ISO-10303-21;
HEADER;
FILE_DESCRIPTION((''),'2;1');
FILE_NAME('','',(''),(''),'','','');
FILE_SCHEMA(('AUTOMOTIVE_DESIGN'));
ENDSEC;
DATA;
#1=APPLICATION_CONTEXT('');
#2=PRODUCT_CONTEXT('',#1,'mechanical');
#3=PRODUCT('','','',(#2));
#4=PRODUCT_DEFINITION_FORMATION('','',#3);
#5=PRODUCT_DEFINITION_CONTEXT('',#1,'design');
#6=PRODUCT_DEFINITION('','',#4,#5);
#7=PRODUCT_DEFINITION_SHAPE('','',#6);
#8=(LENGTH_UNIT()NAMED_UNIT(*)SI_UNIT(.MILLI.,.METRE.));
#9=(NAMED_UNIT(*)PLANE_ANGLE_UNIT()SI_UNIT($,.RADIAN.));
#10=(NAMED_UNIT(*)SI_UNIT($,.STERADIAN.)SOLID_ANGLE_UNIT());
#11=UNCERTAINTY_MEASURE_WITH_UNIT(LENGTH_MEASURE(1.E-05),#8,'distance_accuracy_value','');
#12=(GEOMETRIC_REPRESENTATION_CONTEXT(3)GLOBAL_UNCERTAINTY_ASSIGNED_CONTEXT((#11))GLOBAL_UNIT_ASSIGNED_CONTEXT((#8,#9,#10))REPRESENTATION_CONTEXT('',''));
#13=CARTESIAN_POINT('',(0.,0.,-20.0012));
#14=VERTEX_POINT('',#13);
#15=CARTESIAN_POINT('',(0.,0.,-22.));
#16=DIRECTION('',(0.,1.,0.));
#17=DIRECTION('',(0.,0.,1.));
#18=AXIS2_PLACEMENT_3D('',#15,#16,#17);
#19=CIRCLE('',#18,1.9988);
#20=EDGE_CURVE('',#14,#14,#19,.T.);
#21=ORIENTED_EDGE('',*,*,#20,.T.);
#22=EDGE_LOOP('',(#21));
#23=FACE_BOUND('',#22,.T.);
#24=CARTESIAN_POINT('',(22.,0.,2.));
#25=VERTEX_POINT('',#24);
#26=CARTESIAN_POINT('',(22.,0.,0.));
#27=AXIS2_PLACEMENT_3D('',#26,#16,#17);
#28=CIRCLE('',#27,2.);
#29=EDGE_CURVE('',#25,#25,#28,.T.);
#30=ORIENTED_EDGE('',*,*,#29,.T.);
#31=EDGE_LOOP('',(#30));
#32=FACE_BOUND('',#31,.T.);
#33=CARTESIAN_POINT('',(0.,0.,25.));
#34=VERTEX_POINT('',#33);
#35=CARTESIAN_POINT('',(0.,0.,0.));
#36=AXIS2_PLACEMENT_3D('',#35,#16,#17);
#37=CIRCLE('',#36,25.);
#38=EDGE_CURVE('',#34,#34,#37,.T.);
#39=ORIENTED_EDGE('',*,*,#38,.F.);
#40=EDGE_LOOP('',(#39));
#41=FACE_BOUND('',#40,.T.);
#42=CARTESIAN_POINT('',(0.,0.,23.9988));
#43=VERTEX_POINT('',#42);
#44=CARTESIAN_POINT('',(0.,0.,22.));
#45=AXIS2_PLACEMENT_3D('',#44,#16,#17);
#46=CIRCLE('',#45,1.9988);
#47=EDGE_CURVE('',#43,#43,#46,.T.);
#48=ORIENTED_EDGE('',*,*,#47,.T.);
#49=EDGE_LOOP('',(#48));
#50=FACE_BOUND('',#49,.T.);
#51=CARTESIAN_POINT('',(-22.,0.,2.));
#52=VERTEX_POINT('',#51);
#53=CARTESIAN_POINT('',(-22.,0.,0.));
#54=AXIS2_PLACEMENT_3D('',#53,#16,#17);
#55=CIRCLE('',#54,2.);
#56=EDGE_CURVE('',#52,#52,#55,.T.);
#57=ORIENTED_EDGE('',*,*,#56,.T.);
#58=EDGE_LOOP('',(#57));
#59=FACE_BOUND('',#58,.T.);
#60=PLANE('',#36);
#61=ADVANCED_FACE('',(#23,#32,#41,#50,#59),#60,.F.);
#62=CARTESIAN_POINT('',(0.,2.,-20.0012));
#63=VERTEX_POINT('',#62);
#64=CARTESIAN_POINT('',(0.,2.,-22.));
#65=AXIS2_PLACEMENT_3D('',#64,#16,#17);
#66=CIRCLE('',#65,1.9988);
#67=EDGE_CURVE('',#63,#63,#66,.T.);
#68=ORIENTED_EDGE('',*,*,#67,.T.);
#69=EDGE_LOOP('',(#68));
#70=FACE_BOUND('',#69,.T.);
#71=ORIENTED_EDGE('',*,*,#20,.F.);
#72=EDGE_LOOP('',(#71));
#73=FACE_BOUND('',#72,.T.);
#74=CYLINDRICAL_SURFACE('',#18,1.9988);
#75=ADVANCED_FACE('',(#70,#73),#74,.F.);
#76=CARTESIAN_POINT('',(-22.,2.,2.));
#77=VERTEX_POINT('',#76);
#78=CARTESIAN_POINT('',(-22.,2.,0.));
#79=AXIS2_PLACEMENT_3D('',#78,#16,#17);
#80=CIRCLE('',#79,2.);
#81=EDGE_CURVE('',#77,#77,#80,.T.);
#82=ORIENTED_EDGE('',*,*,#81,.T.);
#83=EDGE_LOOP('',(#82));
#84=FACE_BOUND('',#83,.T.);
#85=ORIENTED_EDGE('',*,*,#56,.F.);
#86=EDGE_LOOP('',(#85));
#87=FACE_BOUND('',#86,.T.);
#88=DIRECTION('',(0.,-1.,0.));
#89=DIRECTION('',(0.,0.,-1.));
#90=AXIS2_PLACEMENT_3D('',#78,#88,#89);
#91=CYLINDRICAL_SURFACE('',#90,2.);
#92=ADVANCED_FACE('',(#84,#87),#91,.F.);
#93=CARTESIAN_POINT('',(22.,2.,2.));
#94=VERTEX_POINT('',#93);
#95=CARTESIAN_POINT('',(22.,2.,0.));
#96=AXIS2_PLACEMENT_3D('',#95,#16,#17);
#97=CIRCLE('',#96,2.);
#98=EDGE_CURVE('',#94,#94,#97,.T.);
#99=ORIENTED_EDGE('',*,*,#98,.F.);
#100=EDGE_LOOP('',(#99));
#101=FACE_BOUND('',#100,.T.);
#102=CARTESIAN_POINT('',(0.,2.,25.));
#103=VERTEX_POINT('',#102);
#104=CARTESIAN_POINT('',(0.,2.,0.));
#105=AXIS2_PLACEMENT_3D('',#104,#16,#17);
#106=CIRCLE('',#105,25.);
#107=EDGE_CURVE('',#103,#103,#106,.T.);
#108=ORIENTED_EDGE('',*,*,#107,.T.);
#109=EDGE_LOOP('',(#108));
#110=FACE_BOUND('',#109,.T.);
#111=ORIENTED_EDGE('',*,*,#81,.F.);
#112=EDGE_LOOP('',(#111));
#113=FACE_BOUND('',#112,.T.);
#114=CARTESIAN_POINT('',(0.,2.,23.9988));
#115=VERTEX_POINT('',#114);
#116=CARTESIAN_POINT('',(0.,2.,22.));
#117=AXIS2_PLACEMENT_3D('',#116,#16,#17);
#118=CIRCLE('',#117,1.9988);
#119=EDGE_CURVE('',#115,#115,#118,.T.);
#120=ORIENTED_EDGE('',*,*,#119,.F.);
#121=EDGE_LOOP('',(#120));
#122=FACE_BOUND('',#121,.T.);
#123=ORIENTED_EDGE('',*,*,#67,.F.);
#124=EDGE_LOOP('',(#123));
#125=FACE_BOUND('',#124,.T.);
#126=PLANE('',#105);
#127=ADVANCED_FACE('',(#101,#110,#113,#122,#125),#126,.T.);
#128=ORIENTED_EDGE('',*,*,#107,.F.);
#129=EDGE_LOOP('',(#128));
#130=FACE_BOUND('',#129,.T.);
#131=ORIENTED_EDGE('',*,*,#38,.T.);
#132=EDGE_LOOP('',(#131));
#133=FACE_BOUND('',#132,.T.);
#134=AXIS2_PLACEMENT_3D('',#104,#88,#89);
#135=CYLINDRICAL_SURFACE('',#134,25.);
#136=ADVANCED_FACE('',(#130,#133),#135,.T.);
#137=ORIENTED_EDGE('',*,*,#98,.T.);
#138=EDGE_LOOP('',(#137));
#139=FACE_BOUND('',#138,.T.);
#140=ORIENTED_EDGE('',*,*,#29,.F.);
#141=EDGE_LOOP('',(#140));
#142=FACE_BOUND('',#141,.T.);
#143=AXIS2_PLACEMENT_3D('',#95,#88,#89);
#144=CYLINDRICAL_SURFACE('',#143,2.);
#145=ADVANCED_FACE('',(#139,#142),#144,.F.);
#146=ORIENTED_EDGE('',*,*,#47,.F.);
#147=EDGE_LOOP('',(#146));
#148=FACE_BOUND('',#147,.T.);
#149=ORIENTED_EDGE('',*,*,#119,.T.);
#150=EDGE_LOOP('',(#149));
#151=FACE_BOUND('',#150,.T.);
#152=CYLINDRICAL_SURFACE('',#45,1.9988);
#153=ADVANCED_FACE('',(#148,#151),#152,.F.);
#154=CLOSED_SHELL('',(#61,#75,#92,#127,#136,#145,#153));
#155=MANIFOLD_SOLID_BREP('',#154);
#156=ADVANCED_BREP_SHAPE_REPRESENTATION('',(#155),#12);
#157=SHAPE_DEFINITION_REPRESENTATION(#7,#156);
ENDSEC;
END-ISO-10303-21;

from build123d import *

# Parameters (mm, degrees)
IZIM1_R                     = 25
IZIM1_R_2                   = 2
Y_KSEKLIK_EKSTR_ZYON1_DEPTH = 2
IZIM3_R                     = 1.998800289
KES_EKSTR_ZYON1_DEPTH       = 2


with BuildPart() as part:
    # Çizim1 → Yükseklik-Ekstrüzyon1 (new body)
    with BuildSketch(Plane(origin=(0, 0, 0), x_dir=(1, 0, 0), z_dir=(0, 1, 0))):
        with Locations(Location((0, 0, 0), (0, 0, 270))):
            Circle(IZIM1_R)
        with Locations(Location((-22, 0, 0), (0, 0, 270))):
            Circle(IZIM1_R_2, mode=Mode.SUBTRACT)
        with Locations(Location((22, 0, 0), (0, 0, 270))):
            Circle(IZIM1_R_2, mode=Mode.SUBTRACT)
    extrude(amount=Y_KSEKLIK_EKSTR_ZYON1_DEPTH)

    # Çizim3 → Kes-Ekstrüzyon1 (cut)
    with BuildSketch(Plane(origin=(0, 2, 0), x_dir=(1, 0, 0), z_dir=(0, 1, 0))):
        with Locations(Location((0, 22, 0), (0, 0, 270))):
            Circle(IZIM3_R)
        with Locations(Location((0, -22, 0), (0, 0, 270))):
            Circle(IZIM3_R)
    extrude(amount=-KES_EKSTR_ZYON1_DEPTH, mode=Mode.SUBTRACT)


solid = part.part
